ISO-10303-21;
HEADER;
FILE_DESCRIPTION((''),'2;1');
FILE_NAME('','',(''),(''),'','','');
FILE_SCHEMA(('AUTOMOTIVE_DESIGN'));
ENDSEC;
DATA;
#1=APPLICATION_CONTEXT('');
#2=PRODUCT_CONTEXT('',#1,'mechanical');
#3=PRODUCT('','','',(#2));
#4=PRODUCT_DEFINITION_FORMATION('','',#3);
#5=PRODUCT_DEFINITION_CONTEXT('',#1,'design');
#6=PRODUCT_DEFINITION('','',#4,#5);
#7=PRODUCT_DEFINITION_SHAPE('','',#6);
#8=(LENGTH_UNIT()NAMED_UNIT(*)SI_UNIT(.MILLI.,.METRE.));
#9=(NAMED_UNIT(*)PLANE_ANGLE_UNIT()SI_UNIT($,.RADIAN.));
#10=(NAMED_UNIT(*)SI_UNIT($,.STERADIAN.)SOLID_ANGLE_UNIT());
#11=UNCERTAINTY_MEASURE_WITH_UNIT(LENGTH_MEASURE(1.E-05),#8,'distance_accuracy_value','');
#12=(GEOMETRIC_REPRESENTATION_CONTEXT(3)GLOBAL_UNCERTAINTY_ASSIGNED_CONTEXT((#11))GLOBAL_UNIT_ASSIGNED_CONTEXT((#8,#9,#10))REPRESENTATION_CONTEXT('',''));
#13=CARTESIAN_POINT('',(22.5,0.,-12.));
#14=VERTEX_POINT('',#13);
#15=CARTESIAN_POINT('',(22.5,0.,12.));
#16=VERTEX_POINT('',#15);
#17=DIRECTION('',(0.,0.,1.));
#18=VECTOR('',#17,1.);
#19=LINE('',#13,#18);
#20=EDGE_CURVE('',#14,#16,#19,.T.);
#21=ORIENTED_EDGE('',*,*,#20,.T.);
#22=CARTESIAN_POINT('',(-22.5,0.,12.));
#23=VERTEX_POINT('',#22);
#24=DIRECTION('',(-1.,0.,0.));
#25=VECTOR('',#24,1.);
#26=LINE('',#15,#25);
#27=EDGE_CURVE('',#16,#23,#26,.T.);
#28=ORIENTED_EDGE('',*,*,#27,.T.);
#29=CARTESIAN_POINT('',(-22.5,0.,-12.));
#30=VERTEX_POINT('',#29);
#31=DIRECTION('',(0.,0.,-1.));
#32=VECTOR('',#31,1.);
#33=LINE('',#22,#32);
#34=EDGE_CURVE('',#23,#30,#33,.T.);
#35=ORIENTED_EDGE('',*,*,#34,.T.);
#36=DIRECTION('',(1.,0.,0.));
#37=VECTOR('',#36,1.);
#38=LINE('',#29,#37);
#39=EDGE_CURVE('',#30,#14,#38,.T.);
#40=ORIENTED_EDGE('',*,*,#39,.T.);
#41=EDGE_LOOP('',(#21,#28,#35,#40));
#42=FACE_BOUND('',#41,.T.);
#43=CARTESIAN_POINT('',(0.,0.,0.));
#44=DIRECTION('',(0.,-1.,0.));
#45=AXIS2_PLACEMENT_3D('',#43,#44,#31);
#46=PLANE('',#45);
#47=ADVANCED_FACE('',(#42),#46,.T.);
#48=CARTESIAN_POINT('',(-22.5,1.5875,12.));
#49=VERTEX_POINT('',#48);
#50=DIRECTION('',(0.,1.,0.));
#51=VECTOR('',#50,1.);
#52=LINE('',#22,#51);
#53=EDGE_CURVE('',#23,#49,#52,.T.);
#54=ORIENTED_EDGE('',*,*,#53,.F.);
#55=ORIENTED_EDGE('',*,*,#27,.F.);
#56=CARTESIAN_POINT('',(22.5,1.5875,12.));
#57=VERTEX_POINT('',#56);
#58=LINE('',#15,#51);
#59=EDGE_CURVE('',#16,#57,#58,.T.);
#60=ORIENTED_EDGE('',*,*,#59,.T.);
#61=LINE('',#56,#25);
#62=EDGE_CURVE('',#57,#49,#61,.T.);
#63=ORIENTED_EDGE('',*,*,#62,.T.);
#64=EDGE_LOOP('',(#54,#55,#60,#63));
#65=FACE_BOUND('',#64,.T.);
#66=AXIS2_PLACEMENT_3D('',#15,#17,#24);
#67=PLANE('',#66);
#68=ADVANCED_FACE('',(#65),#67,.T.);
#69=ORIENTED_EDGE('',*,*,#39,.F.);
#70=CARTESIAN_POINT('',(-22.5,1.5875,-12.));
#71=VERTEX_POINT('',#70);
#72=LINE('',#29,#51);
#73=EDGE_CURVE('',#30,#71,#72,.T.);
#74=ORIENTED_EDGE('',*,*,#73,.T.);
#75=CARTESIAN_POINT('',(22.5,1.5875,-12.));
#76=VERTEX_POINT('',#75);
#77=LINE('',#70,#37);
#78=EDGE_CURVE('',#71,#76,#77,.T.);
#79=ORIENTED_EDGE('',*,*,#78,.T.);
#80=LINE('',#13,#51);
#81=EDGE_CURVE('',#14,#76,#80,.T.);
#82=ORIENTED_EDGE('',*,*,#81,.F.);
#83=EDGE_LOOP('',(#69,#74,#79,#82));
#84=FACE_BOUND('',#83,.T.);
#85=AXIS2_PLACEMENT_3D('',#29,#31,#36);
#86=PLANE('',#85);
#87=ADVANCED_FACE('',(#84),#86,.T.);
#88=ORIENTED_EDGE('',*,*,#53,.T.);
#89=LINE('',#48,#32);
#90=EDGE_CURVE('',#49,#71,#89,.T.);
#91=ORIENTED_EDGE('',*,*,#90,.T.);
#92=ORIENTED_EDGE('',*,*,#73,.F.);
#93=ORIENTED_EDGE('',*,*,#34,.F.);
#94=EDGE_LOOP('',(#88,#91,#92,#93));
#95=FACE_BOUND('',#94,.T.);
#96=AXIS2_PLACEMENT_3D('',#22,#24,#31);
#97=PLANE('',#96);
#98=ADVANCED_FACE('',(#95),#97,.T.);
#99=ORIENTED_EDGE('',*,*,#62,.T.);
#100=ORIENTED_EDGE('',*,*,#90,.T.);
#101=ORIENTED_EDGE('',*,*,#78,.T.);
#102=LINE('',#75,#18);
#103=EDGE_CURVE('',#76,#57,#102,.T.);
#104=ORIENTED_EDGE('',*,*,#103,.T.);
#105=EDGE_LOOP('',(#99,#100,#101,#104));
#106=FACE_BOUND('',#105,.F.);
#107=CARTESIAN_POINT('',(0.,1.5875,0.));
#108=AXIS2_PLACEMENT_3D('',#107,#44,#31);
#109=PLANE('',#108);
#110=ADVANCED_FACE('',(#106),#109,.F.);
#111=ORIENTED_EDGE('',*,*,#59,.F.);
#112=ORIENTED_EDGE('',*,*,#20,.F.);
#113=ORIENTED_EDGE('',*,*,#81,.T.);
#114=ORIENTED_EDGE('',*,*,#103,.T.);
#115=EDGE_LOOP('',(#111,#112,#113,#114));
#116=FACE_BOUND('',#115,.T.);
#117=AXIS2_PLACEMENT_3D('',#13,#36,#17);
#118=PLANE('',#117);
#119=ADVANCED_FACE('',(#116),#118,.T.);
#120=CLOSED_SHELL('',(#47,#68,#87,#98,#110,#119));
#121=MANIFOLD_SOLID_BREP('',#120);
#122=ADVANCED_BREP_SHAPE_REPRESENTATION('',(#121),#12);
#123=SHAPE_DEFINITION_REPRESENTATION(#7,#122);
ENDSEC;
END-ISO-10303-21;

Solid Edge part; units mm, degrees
sketch "Sketch1" plane through (0, 0, 0) normal (0, -1, 0) x (1, 0, 0)
  line L0 (22.5, -12) -> (22.5, 12)
  line L1 (22.5, 12) -> (-22.5, 12)
  line L2 (-22.5, 12) -> (-22.5, -12)
  line L3 (-22.5, -12) -> (22.5, -12)
extrude "Protrusion1" add sketch "Sketch1" against normal blind 1.5875
